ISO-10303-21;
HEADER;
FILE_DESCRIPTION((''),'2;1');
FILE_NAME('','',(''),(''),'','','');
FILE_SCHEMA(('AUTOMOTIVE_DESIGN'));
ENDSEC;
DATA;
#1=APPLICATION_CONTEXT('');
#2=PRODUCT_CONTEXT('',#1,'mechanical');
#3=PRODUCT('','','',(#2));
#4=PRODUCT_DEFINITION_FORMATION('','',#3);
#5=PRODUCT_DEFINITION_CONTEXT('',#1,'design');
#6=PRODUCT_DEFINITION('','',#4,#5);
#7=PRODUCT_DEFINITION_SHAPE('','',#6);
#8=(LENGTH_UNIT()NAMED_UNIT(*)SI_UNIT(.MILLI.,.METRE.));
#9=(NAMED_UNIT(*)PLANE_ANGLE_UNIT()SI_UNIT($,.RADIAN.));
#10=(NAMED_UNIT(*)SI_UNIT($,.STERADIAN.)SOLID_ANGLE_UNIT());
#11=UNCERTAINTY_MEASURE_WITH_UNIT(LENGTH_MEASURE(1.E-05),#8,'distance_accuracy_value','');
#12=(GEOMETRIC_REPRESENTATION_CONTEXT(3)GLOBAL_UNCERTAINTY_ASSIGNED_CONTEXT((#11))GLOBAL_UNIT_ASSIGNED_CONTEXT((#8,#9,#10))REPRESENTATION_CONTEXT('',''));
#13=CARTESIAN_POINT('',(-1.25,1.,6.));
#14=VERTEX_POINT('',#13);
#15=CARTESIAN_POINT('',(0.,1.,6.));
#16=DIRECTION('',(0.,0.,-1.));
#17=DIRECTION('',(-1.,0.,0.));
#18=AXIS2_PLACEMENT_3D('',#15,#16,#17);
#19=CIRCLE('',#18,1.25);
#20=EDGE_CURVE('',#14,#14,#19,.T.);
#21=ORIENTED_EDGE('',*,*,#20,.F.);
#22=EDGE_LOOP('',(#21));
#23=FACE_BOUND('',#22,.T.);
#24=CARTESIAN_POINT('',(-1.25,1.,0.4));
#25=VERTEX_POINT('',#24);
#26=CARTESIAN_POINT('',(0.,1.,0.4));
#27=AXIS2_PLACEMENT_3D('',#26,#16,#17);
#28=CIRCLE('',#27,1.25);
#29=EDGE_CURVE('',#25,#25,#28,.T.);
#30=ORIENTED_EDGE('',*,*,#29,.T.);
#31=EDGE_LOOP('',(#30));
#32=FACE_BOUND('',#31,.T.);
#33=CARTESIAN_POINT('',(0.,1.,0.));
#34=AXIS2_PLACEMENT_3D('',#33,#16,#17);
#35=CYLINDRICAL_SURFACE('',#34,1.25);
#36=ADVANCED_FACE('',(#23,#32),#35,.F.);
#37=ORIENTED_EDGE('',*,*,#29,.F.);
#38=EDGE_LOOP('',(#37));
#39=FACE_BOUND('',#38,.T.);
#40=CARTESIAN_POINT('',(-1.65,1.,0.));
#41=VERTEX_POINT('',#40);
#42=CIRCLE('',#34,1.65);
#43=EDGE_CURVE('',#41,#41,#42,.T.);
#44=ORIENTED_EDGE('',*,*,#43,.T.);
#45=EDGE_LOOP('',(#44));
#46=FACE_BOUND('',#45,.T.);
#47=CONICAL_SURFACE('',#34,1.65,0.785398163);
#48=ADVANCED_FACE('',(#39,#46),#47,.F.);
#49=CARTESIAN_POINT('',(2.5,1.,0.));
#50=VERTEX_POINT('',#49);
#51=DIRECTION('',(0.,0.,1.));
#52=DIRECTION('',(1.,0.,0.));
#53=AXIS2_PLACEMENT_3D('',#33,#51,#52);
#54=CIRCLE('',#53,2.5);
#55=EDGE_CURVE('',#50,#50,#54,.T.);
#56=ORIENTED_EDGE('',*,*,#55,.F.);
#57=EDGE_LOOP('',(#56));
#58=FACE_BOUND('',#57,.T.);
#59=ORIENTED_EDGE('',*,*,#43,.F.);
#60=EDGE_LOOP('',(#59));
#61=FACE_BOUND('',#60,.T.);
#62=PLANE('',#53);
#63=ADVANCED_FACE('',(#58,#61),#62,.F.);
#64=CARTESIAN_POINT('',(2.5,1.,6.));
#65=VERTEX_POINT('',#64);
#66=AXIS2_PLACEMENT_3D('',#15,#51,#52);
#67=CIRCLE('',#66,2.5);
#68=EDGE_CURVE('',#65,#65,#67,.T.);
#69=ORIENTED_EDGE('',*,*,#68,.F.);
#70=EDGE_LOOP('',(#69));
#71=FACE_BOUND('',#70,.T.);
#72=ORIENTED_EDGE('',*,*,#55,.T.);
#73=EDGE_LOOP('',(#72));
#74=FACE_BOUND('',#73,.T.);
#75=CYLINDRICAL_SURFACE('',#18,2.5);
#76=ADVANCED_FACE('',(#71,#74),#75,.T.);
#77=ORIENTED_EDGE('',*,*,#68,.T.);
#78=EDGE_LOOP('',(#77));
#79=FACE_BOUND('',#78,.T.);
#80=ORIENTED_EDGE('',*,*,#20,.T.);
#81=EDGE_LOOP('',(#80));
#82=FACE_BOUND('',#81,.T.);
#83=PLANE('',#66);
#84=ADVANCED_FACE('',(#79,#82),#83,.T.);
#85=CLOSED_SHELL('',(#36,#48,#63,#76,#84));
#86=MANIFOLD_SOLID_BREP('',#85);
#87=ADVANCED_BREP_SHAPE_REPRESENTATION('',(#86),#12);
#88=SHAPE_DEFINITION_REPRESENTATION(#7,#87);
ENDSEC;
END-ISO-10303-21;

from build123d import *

# Parameters (mm, degrees)
SKETCH_2_R          = 2.5
EXTRUDE_1_DEPTH     = 6
M3X0_51_D           = 2.5
M3X0_51_CSINK_D     = 3.3
M3X0_51_CSINK_ANGLE = 90


with BuildPart() as part:
    # Эскиз2 → Бобышка-Вытянуть1 (new body)
    with BuildSketch(Plane.XY):
        with Locations((0, 1)):
            Circle(SKETCH_2_R)
    extrude(amount=EXTRUDE_1_DEPTH)

    # Отверстие обработанное метчиком M3x0.51 (through all)
    with Locations(Plane(origin=(0, 0, 0), x_dir=(1, 0, 0), z_dir=(0, 0, -1))):
        with Locations((0, -1)):
            CounterSinkHole(M3X0_51_D / 2, M3X0_51_CSINK_D / 2, counter_sink_angle=M3X0_51_CSINK_ANGLE)


solid = part.part
